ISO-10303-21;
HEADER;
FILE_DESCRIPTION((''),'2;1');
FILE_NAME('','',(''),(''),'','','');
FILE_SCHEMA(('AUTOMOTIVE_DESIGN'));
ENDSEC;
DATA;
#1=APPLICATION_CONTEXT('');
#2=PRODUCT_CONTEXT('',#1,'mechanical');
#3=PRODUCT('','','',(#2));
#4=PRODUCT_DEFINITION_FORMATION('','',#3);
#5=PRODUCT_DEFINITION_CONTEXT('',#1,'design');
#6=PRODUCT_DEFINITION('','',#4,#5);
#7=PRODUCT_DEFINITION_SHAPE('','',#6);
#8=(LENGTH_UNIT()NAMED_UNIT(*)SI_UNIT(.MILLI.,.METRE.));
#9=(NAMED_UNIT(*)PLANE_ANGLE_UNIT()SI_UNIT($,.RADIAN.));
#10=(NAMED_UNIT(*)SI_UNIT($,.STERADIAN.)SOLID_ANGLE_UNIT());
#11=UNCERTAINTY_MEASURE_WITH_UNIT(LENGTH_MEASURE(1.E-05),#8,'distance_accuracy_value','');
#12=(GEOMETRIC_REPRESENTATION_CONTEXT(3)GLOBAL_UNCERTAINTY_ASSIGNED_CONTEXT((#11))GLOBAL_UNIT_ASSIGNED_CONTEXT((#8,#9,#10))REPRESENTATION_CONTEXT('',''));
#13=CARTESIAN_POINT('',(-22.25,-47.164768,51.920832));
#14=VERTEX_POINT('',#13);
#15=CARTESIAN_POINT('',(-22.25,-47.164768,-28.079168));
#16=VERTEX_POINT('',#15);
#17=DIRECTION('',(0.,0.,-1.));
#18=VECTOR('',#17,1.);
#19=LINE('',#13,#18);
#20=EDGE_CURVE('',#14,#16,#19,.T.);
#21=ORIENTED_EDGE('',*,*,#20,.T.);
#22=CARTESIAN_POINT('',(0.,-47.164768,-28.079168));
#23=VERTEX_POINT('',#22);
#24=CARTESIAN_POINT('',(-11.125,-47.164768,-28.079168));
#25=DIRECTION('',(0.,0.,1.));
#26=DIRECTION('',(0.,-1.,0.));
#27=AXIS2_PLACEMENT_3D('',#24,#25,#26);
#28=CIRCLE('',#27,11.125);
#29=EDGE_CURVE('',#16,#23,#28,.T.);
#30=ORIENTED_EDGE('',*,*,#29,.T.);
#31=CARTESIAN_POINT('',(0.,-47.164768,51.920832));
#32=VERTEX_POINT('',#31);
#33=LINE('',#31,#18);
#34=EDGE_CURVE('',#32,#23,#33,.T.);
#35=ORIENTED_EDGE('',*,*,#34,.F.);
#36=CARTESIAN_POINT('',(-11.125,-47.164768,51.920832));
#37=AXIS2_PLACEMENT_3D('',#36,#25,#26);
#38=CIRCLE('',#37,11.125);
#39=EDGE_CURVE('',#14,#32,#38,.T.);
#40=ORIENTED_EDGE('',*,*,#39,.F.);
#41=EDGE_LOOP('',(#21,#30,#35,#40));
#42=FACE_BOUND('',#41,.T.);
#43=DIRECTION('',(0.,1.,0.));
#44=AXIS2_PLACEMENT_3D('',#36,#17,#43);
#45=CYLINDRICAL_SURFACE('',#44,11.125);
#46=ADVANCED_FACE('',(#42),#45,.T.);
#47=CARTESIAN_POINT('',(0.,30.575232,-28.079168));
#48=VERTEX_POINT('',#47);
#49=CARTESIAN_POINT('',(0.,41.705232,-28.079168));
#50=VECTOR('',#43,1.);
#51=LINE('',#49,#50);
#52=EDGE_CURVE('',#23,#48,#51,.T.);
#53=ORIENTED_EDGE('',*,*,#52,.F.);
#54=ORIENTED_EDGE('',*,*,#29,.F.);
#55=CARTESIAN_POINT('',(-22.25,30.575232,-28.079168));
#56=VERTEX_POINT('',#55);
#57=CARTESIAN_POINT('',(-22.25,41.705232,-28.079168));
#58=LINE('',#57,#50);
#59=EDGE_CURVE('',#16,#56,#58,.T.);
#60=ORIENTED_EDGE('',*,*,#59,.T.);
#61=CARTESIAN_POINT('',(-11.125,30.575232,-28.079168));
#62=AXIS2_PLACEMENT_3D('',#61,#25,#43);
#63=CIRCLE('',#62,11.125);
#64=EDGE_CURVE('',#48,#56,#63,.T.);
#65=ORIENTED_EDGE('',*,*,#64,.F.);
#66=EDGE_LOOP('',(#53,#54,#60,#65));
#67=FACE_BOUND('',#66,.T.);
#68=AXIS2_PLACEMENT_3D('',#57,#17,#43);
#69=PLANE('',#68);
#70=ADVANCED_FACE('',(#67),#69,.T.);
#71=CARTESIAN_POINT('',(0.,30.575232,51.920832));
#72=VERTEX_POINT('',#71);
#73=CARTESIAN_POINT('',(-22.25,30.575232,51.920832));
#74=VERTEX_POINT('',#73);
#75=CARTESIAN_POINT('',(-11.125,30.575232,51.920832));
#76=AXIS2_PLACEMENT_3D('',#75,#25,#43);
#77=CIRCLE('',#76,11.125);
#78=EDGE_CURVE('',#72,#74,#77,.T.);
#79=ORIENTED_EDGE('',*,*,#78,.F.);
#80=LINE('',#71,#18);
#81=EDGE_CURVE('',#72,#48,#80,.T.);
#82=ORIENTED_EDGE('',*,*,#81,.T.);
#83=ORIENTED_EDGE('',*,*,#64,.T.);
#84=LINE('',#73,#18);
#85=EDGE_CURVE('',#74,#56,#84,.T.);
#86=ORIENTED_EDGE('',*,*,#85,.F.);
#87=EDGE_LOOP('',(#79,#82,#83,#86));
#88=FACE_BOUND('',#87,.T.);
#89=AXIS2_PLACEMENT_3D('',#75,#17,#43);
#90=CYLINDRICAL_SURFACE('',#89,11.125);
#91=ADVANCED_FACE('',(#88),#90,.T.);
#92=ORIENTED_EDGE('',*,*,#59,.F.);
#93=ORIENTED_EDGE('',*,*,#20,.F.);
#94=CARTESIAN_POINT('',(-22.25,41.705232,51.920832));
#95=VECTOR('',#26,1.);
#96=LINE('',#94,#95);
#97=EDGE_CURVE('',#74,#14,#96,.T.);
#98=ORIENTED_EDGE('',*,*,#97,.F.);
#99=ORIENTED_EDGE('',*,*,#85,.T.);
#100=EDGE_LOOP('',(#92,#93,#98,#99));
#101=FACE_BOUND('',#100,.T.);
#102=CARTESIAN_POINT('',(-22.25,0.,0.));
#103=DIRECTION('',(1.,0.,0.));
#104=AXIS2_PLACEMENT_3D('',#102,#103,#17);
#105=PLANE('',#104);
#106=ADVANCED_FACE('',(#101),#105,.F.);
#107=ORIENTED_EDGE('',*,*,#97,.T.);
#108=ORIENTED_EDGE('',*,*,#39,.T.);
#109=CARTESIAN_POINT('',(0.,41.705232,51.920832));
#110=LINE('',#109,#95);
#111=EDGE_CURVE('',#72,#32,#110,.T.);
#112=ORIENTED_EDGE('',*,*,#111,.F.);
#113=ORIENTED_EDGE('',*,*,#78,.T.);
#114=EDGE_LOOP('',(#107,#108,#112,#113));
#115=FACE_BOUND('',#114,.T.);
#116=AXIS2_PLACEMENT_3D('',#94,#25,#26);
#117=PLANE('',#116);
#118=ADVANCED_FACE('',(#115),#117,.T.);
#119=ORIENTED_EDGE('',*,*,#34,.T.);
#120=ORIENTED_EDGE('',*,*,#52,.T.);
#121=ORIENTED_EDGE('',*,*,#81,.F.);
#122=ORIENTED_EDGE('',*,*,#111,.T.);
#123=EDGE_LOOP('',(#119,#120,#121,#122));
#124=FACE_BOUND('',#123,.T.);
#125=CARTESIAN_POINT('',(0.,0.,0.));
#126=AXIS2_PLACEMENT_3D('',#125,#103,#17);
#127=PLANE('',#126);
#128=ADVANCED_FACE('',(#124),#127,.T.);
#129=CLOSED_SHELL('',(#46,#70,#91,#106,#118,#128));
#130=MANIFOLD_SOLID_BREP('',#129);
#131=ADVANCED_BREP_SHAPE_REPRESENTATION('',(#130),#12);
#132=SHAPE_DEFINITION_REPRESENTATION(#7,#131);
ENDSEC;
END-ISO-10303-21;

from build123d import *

# Parameters (mm, degrees)
SKETCH1_W           = 80
SKETCH1_H           = 100
BOSS_EXTRUDE1_DEPTH = 22.25
CUT_EXTRUDE1_DEPTH  = 102.456110922


with BuildPart() as part:
    # Sketch1 → Boss-Extrude1 (new body)
    with BuildSketch(Plane(origin=(0, 0, 0), x_dir=(0, 0, -1), z_dir=(1, 0, 0))):
        with Locations((-11.920831682, -8.294767718)):
            Rectangle(SKETCH1_W, SKETCH1_H)
    extrude(amount=-BOSS_EXTRUDE1_DEPTH)

    # Sketch2 → Cut-Extrude1 (cut, through all)
    with BuildSketch(Plane(origin=(0, 0, -28.079168318), x_dir=(-1, 0, 0), z_dir=(0, 0, -1))):
        with BuildLine():
            Line((22.25, -47.164767718), (22.25, -58.294767718))
            Line((22.25, -58.294767718), (0, -58.294767718))
            Line((0, -58.294767718), (0, -47.164767718))
            ThreePointArc((0, -47.164767718), (11.125, -58.289767718), (22.25, -47.164767718))
        make_face()
        with BuildLine():
            Line((0, 41.705232282), (0, 30.575232282))
            ThreePointArc((0, 30.575232282), (11.125, 41.700232282), (22.25, 30.575232282))
            Line((22.25, 30.575232282), (22.25, 41.705232282))
            Line((22.25, 41.705232282), (0, 41.705232282))
        make_face()
    extrude(amount=-CUT_EXTRUDE1_DEPTH, mode=Mode.SUBTRACT)


solid = part.part
